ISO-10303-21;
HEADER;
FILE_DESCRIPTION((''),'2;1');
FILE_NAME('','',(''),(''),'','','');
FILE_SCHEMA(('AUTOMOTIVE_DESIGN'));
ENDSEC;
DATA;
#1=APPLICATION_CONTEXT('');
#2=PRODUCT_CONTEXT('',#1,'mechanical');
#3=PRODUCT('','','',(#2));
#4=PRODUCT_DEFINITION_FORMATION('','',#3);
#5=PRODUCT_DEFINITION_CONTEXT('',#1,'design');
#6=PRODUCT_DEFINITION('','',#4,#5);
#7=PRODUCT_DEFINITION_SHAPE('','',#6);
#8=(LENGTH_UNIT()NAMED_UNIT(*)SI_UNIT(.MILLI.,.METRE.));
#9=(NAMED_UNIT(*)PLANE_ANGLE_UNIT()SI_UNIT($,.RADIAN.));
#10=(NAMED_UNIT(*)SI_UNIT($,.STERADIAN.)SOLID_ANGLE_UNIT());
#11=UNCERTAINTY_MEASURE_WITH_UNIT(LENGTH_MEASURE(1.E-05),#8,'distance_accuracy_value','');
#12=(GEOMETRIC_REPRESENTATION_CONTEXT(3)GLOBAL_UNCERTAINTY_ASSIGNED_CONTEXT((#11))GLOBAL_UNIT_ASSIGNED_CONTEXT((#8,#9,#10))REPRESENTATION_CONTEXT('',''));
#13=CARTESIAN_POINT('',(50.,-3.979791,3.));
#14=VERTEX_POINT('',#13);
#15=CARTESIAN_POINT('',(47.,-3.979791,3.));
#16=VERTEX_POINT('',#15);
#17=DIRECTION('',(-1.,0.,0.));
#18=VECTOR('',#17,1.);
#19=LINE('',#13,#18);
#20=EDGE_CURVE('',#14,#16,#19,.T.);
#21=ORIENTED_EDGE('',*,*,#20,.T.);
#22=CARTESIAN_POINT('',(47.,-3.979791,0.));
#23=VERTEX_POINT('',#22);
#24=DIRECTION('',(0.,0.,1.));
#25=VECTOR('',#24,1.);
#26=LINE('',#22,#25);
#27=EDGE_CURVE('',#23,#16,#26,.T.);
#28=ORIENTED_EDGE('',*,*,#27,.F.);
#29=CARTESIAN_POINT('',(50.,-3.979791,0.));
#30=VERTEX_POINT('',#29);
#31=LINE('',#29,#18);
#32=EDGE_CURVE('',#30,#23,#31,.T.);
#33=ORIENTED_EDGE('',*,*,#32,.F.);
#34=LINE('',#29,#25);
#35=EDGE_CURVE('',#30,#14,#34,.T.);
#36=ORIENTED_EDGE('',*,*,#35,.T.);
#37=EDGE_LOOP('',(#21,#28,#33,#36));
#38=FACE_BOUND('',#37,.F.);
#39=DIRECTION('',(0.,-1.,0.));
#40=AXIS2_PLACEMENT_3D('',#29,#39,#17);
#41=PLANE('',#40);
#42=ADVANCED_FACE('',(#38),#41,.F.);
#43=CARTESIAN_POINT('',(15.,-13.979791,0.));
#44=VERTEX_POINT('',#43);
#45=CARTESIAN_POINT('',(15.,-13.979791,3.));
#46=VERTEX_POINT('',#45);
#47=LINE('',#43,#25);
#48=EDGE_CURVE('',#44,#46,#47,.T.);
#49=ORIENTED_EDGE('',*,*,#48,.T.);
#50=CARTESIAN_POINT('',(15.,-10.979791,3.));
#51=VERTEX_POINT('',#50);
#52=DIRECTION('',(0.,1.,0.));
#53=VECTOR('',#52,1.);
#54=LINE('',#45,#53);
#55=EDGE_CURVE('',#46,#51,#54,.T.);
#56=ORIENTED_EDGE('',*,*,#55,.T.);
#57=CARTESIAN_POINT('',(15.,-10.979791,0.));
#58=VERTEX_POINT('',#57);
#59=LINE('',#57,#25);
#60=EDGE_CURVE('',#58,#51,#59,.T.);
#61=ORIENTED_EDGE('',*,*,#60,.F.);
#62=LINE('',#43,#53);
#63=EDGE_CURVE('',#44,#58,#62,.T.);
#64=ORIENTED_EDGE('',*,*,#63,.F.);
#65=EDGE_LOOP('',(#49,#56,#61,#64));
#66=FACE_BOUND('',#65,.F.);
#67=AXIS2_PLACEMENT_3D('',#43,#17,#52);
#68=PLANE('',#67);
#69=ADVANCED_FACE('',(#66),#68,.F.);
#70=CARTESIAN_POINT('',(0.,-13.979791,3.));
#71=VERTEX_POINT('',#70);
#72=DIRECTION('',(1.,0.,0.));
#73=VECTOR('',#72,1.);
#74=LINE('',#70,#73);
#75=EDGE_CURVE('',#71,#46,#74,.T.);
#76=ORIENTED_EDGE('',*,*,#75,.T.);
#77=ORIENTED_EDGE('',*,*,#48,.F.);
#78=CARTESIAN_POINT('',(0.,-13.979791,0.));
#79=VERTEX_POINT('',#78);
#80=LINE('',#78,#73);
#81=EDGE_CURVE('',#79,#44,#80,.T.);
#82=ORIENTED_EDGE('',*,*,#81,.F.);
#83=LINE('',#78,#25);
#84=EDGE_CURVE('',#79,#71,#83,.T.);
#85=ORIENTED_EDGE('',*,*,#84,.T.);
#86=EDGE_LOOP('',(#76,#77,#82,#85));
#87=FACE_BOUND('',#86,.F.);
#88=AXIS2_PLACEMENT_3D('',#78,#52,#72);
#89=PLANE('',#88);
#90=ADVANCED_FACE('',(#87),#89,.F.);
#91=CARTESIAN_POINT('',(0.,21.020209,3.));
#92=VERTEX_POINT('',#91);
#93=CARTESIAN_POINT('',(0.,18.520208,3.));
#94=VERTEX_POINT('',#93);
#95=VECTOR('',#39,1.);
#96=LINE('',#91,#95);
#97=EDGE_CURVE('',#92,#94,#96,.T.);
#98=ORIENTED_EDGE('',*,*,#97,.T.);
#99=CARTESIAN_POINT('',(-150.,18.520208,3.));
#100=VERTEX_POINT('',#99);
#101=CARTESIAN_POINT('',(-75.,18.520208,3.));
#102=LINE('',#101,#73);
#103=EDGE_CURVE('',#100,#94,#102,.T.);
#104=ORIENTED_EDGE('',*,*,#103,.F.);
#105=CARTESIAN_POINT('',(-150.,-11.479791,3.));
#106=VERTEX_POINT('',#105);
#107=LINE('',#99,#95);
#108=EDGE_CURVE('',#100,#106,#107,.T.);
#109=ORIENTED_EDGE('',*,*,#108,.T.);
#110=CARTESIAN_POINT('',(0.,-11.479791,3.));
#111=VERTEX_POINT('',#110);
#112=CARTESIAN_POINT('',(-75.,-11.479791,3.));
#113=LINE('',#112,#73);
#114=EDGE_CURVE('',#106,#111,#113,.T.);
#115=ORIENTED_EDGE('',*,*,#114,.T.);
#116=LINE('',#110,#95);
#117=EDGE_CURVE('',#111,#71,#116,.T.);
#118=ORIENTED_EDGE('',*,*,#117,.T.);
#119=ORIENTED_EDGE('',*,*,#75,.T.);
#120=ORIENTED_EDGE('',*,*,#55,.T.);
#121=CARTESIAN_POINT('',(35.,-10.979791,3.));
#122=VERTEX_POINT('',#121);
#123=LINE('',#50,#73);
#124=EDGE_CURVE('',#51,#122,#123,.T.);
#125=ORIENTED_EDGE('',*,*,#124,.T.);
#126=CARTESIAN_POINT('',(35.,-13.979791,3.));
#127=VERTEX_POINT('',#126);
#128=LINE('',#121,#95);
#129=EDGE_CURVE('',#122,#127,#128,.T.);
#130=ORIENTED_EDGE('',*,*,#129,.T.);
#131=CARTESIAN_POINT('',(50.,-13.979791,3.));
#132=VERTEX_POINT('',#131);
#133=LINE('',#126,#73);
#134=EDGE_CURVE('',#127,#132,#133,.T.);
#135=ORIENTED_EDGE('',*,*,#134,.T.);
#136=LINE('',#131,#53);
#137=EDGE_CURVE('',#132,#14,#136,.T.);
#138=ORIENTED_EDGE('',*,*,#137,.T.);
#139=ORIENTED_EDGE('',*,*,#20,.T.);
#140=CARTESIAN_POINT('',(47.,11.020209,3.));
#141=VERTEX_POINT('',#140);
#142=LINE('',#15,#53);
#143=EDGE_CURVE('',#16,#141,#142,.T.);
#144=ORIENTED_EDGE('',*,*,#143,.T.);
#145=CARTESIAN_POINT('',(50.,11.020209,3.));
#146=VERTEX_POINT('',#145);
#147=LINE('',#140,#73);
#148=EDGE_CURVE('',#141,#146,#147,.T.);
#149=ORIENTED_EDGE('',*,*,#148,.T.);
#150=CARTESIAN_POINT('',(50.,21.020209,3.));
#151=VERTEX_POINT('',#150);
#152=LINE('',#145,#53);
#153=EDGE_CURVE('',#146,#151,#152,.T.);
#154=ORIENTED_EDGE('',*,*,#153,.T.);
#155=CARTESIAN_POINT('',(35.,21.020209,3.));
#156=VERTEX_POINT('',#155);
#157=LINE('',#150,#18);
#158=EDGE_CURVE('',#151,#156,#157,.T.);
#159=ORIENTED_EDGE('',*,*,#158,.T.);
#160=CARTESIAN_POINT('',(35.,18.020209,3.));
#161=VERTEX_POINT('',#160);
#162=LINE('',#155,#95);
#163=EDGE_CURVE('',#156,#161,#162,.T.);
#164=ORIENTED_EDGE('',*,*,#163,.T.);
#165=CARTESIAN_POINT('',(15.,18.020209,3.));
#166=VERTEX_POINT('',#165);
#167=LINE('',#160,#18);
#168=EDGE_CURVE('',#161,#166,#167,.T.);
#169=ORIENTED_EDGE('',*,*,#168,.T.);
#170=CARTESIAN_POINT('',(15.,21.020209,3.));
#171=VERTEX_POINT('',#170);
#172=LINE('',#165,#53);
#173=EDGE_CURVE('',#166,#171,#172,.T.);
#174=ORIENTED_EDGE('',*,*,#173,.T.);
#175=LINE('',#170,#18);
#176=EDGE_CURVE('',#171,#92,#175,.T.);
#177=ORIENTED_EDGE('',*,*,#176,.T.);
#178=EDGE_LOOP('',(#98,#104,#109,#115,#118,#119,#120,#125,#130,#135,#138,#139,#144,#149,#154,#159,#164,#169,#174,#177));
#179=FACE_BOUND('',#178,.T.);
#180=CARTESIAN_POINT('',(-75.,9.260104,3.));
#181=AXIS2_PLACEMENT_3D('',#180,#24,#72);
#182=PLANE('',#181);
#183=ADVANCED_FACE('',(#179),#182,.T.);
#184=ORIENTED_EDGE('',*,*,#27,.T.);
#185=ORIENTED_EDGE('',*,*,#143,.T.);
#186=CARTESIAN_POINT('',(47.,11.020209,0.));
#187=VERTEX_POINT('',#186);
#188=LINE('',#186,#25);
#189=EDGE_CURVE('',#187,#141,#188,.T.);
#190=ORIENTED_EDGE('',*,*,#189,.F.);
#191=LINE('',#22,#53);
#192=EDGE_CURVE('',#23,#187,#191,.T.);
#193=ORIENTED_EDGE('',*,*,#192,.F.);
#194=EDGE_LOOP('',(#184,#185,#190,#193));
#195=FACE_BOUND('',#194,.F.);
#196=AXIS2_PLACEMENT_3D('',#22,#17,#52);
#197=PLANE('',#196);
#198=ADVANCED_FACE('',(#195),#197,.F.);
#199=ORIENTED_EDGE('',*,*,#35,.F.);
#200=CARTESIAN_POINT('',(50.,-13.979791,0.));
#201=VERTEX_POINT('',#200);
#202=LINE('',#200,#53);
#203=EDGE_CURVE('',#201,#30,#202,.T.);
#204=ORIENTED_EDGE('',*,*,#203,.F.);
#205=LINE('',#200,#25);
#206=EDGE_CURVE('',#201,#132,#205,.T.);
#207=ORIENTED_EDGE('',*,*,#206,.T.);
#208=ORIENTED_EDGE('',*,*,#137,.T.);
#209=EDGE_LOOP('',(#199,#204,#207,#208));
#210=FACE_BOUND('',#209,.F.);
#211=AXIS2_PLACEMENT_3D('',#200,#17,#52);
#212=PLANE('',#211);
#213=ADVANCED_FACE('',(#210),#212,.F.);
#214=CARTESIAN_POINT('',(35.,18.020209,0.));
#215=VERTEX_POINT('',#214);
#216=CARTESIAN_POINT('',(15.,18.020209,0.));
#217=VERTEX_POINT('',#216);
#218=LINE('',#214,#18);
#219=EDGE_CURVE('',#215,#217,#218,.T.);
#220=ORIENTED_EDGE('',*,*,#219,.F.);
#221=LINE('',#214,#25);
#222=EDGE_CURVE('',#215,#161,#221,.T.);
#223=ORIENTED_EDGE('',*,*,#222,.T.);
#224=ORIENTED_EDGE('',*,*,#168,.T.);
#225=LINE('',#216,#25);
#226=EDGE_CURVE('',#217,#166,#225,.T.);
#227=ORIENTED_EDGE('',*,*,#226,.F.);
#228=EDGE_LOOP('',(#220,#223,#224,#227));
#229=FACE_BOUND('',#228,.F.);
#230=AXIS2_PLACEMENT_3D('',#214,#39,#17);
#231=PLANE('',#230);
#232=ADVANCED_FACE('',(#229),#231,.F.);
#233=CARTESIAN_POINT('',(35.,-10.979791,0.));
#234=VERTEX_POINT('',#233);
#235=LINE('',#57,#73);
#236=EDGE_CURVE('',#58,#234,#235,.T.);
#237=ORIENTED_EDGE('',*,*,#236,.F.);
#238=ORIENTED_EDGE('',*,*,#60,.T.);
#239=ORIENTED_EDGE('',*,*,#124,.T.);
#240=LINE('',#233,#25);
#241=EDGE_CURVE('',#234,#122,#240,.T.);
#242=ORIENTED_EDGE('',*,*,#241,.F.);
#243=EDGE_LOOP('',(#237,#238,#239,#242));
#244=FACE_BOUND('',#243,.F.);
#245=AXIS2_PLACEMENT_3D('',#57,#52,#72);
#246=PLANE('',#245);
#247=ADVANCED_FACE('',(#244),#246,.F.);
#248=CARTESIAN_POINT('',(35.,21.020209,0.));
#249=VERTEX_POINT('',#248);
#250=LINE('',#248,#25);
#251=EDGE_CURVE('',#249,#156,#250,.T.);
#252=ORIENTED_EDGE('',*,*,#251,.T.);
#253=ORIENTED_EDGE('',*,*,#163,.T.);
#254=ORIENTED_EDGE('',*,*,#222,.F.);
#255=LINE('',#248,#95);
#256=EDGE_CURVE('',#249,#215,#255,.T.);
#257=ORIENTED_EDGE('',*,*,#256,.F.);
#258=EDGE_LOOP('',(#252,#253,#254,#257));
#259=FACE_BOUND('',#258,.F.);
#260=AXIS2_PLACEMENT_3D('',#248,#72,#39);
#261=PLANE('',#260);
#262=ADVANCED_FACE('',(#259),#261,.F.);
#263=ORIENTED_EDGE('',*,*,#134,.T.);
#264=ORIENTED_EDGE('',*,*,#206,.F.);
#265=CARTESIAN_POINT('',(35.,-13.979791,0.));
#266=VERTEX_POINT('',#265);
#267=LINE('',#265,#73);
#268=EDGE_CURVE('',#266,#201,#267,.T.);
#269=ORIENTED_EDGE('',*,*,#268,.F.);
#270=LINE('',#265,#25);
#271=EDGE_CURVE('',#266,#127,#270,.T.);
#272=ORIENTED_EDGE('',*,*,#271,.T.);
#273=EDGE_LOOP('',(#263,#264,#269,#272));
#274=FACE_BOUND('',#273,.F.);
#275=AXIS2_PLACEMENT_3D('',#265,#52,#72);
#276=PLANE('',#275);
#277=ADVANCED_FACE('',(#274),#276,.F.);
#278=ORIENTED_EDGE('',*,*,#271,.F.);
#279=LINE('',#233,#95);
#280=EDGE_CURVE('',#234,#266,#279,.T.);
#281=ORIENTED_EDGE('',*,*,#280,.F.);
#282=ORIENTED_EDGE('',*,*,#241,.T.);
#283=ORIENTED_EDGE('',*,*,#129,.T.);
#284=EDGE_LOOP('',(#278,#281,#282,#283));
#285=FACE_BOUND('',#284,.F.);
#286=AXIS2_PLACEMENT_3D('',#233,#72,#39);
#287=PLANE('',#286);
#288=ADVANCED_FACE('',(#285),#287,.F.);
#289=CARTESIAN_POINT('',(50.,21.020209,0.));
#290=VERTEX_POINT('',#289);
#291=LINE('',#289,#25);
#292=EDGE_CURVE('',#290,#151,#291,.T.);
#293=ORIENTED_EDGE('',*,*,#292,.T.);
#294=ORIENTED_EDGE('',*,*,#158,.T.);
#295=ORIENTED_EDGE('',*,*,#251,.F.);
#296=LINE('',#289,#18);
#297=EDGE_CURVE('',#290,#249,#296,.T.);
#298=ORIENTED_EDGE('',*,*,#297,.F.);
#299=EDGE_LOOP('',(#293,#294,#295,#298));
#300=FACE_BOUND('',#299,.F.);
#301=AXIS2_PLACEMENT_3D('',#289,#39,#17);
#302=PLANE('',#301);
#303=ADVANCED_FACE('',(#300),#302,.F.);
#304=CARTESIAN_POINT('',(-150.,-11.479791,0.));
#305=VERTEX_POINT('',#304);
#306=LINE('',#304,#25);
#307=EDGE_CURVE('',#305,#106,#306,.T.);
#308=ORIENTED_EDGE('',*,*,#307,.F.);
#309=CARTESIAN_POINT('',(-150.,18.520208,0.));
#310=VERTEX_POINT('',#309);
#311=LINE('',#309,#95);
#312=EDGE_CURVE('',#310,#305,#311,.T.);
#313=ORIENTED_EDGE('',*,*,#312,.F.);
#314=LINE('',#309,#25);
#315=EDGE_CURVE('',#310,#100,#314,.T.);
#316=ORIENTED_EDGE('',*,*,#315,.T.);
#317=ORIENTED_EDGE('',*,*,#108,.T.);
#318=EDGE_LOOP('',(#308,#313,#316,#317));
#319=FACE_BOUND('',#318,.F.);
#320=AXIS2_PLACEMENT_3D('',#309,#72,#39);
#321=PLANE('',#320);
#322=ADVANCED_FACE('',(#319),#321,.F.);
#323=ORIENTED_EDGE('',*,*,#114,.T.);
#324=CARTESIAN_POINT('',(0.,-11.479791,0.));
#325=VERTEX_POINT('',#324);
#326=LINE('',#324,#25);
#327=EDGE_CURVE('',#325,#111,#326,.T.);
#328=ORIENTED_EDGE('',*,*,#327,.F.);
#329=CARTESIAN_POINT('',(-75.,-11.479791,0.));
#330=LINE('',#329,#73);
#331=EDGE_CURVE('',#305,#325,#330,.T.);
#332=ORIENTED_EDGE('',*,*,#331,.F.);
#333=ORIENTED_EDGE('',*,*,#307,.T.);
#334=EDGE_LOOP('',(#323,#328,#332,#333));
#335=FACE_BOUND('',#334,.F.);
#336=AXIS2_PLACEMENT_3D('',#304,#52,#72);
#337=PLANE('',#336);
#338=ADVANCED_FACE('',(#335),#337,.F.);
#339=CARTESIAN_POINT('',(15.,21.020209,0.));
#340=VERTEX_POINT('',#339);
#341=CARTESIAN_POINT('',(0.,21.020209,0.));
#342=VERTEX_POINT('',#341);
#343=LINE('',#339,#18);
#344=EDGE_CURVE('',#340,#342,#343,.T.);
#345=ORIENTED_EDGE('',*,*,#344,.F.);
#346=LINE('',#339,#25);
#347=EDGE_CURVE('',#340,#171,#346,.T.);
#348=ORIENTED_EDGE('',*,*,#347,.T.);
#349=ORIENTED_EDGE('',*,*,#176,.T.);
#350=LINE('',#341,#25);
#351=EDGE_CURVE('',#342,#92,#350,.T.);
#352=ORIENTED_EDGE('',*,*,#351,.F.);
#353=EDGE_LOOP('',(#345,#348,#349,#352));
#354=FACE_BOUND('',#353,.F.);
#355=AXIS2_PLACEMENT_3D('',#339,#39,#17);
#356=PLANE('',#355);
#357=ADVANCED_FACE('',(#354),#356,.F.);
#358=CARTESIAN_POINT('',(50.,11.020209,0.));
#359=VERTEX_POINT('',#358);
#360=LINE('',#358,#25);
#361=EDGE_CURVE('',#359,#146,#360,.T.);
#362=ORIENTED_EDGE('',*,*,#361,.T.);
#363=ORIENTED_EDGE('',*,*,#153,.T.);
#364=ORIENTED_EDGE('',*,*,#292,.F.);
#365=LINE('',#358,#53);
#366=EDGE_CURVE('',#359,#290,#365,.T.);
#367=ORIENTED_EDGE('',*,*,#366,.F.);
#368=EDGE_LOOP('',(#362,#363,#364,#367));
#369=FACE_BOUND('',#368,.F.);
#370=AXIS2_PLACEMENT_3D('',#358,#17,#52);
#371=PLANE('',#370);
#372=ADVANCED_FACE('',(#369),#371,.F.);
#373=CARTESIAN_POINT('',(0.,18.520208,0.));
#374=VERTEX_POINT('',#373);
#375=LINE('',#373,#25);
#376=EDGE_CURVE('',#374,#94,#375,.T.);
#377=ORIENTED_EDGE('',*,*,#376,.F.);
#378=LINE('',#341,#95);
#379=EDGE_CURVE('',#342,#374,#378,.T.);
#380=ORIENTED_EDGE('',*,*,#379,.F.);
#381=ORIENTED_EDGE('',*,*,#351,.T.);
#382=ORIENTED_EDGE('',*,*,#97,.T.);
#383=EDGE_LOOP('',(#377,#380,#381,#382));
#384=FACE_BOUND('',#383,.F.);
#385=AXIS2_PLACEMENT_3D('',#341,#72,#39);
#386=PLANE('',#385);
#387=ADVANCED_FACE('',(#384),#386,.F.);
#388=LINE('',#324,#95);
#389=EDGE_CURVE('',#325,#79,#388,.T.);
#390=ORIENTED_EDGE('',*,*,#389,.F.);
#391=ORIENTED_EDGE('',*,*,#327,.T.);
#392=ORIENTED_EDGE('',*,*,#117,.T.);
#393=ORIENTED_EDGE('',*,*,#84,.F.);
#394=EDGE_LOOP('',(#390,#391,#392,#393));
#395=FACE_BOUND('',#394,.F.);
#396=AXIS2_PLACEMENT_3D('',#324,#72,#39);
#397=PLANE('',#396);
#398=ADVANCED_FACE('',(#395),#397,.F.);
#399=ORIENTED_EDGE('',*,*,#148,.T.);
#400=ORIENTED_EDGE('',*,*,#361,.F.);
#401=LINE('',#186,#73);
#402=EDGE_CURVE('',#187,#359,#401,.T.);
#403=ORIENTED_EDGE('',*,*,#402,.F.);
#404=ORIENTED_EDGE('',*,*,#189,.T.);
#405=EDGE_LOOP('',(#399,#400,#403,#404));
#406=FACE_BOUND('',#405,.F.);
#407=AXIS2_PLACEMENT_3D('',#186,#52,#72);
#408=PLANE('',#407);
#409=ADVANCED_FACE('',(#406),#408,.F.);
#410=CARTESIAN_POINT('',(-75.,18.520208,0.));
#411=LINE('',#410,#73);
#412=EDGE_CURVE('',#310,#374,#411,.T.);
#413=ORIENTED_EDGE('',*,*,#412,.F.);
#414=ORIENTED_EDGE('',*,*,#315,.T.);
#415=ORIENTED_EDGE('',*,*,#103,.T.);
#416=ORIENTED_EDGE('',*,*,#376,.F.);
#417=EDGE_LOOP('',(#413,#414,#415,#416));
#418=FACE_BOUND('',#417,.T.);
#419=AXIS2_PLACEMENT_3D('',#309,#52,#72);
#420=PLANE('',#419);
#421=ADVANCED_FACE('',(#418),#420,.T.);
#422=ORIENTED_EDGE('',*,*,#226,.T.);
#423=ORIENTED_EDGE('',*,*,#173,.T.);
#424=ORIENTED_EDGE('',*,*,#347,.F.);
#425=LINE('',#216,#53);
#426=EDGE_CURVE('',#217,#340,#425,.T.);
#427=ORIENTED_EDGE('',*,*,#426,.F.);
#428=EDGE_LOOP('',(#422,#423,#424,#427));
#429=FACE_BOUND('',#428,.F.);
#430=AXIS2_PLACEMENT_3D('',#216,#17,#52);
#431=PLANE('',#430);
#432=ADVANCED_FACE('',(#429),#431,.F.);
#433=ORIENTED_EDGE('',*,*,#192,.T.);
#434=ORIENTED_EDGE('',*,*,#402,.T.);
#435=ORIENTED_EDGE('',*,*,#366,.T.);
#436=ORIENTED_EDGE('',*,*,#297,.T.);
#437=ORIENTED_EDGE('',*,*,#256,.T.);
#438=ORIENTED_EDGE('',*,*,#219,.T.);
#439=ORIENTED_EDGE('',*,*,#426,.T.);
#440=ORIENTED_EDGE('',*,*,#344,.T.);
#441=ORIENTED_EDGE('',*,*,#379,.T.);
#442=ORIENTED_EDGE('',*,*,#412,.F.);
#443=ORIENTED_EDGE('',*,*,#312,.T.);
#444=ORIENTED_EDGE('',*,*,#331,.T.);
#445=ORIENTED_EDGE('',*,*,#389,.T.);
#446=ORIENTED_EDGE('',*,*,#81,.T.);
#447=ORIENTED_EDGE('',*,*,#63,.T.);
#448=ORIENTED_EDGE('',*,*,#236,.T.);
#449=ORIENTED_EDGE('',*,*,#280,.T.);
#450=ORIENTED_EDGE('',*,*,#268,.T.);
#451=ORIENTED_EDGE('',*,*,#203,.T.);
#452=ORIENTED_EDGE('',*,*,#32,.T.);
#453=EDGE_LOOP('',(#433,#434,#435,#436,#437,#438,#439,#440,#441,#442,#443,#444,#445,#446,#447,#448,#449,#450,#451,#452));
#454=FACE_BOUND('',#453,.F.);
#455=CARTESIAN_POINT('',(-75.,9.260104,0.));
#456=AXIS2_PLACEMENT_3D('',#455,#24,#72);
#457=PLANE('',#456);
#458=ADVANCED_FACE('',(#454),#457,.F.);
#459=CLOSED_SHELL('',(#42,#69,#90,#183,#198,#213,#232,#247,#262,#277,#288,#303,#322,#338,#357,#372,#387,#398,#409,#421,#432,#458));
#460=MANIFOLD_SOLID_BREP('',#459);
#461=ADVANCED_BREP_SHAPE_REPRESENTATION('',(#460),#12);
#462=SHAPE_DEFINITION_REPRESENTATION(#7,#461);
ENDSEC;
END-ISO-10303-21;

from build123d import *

# Parameters (mm, degrees)
F0_W     = 150
F0_H     = 18.520209
F0_H_2   = 11.479791
F1_DEPTH = 3


with BuildPart() as f1:
    # F0 (on Top) → F1 (new body)
    with BuildSketch(Plane.XY):
        with Locations((-75, 9.260104)):
            Rectangle(F0_W, F0_H)
        with Locations((-75, -5.739895)):
            Rectangle(F0_W, F0_H_2)
        Polygon((0, 18.520209), (0, 0), (0, -11.479791), (0, -13.979791), (15, -13.979791), (15, -10.979791), (35, -10.979791), (35, -13.979791), (50, -13.979791), (50, -3.979791), (47, -3.979791), (47, 11.020209), (50, 11.020209), (50, 21.020209), (35, 21.020209), (35, 18.020209), (15, 18.020209), (15, 21.020209), (0, 21.020209), align=None)
    extrude(amount=F1_DEPTH)


solid = f1.part
